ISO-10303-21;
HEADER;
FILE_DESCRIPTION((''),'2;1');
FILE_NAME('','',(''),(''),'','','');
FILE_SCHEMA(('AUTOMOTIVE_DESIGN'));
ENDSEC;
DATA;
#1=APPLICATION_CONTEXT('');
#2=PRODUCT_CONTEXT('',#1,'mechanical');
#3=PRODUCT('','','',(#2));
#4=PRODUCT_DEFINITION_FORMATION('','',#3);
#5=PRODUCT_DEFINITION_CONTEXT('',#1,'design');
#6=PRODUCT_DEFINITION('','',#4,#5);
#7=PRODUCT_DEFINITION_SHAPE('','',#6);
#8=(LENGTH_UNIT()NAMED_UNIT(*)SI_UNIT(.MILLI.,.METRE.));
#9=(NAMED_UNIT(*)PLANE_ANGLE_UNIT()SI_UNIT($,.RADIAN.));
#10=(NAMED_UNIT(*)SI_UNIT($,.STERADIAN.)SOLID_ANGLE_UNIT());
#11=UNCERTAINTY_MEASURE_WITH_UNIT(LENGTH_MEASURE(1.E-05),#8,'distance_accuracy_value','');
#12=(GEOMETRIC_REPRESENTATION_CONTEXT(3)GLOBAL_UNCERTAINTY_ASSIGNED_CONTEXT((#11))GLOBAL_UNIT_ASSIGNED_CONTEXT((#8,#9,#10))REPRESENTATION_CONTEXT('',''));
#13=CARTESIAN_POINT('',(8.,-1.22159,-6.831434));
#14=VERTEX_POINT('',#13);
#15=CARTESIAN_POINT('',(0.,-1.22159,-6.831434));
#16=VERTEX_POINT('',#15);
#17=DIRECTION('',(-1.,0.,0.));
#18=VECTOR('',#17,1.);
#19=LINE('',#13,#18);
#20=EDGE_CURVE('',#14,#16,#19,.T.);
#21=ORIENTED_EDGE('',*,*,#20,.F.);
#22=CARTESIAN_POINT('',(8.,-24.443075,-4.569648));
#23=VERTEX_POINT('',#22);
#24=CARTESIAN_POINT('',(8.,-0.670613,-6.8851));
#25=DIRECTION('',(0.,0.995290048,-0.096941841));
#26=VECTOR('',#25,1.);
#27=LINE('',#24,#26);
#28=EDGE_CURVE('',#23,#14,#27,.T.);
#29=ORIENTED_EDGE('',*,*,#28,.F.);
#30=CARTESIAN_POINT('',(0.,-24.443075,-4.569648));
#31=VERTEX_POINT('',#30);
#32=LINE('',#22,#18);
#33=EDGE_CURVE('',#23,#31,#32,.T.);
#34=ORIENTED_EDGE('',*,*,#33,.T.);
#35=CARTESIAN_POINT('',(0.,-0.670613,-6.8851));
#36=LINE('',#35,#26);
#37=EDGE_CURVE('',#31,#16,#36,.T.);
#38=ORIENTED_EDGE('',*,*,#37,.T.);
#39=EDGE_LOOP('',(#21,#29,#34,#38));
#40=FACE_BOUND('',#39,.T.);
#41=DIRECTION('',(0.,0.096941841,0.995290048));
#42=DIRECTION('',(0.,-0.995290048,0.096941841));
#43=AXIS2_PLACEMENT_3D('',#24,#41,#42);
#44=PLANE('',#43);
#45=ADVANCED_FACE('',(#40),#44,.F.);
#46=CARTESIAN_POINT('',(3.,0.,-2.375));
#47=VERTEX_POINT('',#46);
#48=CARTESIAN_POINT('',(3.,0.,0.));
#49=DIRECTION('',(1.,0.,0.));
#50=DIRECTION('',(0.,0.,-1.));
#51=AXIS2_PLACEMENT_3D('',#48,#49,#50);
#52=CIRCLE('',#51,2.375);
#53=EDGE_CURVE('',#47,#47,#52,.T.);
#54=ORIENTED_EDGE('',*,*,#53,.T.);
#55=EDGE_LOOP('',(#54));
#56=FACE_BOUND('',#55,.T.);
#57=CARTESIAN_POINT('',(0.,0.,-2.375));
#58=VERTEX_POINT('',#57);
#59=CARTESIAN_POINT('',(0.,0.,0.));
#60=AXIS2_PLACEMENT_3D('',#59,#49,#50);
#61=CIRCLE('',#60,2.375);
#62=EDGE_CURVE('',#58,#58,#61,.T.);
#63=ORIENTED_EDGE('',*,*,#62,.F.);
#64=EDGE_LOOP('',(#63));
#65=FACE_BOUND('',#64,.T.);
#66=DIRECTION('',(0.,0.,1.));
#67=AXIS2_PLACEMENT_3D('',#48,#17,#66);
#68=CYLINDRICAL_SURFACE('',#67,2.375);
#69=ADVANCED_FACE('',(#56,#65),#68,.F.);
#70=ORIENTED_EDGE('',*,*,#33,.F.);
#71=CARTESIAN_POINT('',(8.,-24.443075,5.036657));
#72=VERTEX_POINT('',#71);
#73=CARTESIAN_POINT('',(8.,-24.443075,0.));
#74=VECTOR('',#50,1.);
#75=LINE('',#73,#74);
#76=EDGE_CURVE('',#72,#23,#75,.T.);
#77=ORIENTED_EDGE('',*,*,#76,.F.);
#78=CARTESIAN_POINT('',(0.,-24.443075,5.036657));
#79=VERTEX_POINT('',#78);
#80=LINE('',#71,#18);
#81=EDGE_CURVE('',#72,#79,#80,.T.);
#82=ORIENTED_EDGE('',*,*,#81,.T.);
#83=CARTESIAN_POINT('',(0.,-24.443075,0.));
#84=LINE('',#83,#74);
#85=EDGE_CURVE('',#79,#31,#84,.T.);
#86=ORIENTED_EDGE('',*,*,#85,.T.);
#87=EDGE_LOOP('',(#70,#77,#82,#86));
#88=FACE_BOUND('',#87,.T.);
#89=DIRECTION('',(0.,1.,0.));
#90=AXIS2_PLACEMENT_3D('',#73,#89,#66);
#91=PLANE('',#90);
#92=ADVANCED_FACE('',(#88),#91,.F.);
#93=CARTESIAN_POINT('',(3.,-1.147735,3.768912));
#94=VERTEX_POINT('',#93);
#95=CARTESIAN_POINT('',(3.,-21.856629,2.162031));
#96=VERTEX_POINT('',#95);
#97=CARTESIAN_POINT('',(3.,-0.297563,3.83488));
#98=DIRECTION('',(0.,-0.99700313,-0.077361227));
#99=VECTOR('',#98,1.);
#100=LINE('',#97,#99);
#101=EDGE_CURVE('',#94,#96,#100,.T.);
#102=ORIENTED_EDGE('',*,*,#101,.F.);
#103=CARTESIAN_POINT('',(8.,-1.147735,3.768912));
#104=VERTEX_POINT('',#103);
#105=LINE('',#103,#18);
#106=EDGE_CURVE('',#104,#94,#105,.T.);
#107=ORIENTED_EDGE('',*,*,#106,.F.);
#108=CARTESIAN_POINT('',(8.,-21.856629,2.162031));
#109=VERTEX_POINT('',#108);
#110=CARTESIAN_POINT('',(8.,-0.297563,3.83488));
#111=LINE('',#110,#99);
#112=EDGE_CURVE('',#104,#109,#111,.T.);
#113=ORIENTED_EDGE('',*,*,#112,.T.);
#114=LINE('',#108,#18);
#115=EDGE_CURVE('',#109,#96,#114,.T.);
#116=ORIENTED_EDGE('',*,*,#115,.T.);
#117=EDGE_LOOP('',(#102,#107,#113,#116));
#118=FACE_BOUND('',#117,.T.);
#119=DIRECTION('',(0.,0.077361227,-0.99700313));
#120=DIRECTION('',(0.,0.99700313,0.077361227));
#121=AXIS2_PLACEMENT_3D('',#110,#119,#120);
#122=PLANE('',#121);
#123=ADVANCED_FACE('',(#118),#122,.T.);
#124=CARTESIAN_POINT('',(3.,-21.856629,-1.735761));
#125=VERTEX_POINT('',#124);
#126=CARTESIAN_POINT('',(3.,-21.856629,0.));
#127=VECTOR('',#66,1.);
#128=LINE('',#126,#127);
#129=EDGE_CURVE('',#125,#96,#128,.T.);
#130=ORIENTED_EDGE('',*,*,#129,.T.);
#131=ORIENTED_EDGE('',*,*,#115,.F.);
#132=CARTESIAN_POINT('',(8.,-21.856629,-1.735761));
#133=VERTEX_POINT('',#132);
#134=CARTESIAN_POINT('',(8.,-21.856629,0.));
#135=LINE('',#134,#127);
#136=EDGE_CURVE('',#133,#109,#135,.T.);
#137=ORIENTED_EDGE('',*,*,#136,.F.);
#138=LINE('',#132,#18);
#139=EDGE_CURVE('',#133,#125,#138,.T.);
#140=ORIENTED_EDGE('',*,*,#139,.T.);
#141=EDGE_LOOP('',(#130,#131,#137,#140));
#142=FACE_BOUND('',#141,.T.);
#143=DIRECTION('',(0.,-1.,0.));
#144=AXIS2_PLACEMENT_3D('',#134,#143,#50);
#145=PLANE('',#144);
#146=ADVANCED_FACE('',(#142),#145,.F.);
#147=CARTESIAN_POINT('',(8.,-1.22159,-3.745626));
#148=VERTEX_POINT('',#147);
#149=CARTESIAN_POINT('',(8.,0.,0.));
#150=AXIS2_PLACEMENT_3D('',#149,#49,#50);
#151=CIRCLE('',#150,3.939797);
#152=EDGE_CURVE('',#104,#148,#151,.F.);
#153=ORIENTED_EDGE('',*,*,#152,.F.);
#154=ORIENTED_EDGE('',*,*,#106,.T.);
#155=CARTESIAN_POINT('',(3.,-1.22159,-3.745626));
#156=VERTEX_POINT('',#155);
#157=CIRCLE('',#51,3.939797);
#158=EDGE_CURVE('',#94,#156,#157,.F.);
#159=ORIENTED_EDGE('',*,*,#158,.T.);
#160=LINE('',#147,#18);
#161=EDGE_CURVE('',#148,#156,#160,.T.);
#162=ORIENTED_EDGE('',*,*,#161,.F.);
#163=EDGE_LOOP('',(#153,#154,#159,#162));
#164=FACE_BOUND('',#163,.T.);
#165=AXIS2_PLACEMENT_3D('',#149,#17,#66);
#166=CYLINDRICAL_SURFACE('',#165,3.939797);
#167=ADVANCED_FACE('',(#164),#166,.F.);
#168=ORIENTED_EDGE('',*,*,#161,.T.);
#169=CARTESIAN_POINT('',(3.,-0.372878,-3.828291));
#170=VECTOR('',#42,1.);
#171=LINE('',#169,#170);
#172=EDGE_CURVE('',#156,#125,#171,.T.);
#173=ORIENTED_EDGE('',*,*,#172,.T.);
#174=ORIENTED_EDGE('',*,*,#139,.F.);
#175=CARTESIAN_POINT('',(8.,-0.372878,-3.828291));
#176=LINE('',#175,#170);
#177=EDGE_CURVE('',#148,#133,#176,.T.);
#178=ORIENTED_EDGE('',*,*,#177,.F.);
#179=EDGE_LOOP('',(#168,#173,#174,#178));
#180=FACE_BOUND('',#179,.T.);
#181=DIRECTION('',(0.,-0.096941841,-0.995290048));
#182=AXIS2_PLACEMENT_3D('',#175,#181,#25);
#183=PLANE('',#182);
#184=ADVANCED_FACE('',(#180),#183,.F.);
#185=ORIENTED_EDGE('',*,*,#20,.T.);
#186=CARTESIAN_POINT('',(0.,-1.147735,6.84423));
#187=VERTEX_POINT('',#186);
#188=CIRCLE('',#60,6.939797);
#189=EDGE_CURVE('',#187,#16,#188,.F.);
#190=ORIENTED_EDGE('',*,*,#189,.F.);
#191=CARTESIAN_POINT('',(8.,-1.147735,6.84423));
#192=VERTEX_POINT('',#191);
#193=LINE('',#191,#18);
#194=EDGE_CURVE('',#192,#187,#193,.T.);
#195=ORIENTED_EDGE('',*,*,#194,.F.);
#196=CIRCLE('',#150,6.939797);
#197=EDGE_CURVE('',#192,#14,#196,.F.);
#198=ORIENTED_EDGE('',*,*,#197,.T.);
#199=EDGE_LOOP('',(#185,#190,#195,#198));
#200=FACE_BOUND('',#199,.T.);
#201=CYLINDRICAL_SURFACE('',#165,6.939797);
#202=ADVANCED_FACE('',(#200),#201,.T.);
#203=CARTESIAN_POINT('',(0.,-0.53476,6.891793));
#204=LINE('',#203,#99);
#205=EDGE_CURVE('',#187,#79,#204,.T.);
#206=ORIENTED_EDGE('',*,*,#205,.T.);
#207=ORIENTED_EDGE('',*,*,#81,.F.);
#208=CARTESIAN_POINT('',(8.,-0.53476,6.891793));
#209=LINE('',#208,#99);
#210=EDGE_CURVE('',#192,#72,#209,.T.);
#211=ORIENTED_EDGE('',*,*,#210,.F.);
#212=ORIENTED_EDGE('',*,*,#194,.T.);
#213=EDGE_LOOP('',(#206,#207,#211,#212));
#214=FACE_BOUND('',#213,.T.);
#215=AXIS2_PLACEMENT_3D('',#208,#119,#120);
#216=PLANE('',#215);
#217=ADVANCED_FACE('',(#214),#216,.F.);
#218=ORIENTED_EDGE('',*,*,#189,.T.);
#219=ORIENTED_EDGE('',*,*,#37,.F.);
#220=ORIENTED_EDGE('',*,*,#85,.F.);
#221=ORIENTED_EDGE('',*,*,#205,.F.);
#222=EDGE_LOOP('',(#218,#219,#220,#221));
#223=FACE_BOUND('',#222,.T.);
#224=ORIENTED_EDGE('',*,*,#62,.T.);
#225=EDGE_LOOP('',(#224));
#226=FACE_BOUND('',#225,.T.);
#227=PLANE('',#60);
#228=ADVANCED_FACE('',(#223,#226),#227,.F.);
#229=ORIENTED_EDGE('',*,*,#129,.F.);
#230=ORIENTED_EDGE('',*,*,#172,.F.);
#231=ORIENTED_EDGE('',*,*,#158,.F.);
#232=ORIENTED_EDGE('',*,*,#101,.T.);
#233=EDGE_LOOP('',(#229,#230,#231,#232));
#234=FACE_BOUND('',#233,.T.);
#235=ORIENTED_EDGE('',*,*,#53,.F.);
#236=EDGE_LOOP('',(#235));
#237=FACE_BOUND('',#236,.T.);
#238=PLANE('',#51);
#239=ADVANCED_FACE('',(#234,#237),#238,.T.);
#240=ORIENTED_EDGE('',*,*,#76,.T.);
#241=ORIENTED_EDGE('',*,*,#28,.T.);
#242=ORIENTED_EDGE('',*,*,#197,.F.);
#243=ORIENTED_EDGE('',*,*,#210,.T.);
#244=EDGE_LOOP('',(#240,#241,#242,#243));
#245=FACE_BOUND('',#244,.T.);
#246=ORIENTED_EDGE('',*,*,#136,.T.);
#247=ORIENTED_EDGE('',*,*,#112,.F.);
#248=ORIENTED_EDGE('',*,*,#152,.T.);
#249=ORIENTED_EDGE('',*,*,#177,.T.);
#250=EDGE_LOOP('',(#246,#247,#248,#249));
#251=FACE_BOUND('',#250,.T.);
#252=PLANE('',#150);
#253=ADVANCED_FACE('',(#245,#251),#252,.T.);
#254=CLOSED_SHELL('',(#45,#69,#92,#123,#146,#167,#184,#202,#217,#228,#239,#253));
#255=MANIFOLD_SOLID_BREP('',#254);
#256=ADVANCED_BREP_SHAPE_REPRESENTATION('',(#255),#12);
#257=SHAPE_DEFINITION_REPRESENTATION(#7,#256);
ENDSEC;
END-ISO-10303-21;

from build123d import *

# Parameters (mm, degrees)
BOSS_EXTRUDE1_DEPTH = 8
SKETCH1_3_R         = 2.375
BOSS_EXTRUDE2_DEPTH = 3


with BuildPart() as part:
    # Sketch1 → Boss-Extrude1 (new body)
    with BuildSketch(Plane(origin=(0, 0, 0), x_dir=(0, 0, -1), z_dir=(1, 0, 0))):
        with BuildLine():
            ThreePointArc((6.831434318, -1.221589567), (0.037477219, 6.939695337), (-6.84422965, -1.147735338))
            Line((-6.84422965, -1.147735338), (-5.036656509, -24.443075278))
            Line((-5.036656509, -24.443075278), (4.569647847, -24.443075278))
            Line((4.569647847, -24.443075278), (6.831434318, -1.221589567))
        make_face()
        with BuildLine():
            Line((-2.162031314, -21.856629017), (-3.768912351, -1.147735338))
            ThreePointArc((-3.768912351, -1.147735338), (0.038719155, 3.939606268), (3.745626202, -1.221589567))
            Line((3.745626202, -1.221589567), (1.73576113, -21.856629017))
            Line((1.73576113, -21.856629017), (-2.162031314, -21.856629017))
        make_face(mode=Mode.SUBTRACT)
    extrude(amount=BOSS_EXTRUDE1_DEPTH)

    # Sketch1<3> → Boss-Extrude2 (add)
    with BuildSketch(Plane(origin=(0, 0, 0), x_dir=(0, 0, -1), z_dir=(1, 0, 0))):
        with BuildLine():
            ThreePointArc((3.745626202, -1.221589567), (0.038719155, 3.939606268), (-3.768912351, -1.147735338))
            Line((-3.768912351, -1.147735338), (-2.162031314, -21.856629017))
            Line((-2.162031314, -21.856629017), (1.73576113, -21.856629017))
            Line((1.73576113, -21.856629017), (3.745626202, -1.221589567))
        make_face()
        Circle(SKETCH1_3_R, mode=Mode.SUBTRACT)
    extrude(amount=BOSS_EXTRUDE2_DEPTH)


solid = part.part
